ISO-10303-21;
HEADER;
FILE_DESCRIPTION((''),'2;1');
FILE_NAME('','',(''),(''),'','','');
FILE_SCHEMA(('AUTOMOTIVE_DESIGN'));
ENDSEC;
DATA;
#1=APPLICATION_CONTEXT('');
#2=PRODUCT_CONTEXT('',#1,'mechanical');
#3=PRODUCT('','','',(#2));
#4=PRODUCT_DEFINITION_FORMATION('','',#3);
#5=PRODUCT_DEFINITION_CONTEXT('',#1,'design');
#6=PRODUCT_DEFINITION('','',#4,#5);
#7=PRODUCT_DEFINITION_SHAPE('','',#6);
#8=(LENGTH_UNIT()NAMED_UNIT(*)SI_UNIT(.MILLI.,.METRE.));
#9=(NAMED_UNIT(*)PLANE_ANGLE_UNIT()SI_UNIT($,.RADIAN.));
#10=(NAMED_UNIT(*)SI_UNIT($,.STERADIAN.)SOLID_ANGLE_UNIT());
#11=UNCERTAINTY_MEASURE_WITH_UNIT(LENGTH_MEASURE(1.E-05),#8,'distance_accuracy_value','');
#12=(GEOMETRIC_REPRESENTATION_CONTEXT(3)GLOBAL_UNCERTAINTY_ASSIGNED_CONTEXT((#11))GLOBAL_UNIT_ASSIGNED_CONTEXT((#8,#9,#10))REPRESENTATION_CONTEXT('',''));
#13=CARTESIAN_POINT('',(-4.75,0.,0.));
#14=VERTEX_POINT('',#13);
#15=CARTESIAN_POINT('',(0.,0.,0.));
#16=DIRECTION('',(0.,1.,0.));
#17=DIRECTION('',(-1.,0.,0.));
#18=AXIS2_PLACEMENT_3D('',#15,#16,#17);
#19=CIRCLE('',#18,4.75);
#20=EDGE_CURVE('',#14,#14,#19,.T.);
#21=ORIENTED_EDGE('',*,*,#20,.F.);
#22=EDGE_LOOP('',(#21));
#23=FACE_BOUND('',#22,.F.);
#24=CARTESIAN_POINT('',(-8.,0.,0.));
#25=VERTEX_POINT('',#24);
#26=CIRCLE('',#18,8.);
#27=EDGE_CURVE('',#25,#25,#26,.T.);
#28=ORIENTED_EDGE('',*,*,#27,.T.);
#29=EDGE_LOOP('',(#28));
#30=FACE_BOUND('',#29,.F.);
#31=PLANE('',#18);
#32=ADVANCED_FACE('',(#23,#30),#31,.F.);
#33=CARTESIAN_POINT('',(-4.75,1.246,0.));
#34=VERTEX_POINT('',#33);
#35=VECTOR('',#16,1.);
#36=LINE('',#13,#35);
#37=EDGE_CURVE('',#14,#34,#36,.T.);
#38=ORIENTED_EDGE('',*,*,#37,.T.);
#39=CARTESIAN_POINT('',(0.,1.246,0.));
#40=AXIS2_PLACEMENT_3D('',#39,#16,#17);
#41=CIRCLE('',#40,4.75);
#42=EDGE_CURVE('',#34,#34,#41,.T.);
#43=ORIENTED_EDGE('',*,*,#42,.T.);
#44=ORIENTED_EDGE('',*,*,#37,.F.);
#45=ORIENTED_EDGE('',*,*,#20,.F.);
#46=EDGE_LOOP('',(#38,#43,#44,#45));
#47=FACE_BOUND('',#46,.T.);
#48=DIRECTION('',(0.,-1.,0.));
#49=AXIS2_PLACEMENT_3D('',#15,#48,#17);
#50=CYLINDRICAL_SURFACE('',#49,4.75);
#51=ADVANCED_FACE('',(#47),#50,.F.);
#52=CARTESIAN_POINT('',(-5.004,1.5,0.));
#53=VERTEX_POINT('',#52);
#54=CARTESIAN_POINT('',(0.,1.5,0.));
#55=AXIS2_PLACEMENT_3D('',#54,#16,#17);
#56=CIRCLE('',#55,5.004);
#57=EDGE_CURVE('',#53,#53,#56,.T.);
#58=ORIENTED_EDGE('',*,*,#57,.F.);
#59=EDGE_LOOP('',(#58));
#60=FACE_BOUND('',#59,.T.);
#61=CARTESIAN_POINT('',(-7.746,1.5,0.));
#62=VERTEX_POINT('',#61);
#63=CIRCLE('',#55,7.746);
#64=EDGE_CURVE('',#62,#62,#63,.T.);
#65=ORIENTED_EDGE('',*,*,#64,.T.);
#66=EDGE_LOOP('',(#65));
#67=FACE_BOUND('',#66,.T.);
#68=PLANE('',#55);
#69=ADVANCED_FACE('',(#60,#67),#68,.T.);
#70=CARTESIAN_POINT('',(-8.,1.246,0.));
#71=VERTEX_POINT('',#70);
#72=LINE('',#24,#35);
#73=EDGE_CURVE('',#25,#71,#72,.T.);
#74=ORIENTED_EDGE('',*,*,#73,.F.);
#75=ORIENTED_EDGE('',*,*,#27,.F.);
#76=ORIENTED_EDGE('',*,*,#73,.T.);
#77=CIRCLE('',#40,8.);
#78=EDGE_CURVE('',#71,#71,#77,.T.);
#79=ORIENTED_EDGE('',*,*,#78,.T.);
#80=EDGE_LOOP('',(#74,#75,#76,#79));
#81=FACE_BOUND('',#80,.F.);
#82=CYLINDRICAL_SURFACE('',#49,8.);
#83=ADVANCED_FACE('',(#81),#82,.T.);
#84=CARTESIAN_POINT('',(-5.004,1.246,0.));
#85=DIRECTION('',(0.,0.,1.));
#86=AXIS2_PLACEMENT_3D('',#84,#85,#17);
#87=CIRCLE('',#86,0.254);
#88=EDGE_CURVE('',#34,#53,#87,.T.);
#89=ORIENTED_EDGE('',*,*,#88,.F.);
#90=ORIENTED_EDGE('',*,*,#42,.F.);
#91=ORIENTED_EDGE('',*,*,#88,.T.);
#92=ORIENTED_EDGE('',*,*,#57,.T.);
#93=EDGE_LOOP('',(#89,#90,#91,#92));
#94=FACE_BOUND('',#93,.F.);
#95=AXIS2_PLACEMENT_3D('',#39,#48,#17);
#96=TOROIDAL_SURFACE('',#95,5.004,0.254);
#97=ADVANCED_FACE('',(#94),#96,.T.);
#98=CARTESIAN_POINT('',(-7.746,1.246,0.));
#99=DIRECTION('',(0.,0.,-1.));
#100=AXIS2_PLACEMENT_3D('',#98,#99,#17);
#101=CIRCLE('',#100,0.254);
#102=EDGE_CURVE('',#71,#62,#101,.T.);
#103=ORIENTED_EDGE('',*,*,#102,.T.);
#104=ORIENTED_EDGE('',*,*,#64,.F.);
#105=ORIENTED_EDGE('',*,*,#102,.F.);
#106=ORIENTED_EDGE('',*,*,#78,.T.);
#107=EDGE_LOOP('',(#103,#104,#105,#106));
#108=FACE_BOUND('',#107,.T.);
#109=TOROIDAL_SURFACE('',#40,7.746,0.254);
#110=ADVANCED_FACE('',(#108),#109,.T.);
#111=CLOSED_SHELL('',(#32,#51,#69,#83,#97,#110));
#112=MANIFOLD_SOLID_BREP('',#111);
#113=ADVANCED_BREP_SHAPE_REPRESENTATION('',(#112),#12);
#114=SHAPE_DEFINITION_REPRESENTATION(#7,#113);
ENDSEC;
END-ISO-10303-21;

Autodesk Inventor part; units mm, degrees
ref_plane "YZ Plane" through (0, 0, 0) normal (1, 0, 0) x (0, 1, 0)
ref_plane "XZ Plane" through (0, 0, 0) normal (0, 1, 0) x (-1, 0, 0)
ref_plane "XY Plane" through (0, 0, 0) normal (0, 0, 1) x (1, 0, 0)
sketch "Sketch1" plane through (0, 0, 0) normal (0, 1, 0) x (-1, 0, 0)
  circle A0 centre (0, 0) radius 8
  circle A1 centre (0, 0) radius 4.75
  dimension "d0" = 16
  dimension "d1" = 9.5
extrude "Extrusion1" add sketch "Sketch1" along normal blind 1.5
fillet "Fillet1" radius 0.254 2 edges at (4.75, 1.5, 0) (8, 1.5, 0)
properties part number "Threaded Rod Washer" material "Aluminum 6061"
